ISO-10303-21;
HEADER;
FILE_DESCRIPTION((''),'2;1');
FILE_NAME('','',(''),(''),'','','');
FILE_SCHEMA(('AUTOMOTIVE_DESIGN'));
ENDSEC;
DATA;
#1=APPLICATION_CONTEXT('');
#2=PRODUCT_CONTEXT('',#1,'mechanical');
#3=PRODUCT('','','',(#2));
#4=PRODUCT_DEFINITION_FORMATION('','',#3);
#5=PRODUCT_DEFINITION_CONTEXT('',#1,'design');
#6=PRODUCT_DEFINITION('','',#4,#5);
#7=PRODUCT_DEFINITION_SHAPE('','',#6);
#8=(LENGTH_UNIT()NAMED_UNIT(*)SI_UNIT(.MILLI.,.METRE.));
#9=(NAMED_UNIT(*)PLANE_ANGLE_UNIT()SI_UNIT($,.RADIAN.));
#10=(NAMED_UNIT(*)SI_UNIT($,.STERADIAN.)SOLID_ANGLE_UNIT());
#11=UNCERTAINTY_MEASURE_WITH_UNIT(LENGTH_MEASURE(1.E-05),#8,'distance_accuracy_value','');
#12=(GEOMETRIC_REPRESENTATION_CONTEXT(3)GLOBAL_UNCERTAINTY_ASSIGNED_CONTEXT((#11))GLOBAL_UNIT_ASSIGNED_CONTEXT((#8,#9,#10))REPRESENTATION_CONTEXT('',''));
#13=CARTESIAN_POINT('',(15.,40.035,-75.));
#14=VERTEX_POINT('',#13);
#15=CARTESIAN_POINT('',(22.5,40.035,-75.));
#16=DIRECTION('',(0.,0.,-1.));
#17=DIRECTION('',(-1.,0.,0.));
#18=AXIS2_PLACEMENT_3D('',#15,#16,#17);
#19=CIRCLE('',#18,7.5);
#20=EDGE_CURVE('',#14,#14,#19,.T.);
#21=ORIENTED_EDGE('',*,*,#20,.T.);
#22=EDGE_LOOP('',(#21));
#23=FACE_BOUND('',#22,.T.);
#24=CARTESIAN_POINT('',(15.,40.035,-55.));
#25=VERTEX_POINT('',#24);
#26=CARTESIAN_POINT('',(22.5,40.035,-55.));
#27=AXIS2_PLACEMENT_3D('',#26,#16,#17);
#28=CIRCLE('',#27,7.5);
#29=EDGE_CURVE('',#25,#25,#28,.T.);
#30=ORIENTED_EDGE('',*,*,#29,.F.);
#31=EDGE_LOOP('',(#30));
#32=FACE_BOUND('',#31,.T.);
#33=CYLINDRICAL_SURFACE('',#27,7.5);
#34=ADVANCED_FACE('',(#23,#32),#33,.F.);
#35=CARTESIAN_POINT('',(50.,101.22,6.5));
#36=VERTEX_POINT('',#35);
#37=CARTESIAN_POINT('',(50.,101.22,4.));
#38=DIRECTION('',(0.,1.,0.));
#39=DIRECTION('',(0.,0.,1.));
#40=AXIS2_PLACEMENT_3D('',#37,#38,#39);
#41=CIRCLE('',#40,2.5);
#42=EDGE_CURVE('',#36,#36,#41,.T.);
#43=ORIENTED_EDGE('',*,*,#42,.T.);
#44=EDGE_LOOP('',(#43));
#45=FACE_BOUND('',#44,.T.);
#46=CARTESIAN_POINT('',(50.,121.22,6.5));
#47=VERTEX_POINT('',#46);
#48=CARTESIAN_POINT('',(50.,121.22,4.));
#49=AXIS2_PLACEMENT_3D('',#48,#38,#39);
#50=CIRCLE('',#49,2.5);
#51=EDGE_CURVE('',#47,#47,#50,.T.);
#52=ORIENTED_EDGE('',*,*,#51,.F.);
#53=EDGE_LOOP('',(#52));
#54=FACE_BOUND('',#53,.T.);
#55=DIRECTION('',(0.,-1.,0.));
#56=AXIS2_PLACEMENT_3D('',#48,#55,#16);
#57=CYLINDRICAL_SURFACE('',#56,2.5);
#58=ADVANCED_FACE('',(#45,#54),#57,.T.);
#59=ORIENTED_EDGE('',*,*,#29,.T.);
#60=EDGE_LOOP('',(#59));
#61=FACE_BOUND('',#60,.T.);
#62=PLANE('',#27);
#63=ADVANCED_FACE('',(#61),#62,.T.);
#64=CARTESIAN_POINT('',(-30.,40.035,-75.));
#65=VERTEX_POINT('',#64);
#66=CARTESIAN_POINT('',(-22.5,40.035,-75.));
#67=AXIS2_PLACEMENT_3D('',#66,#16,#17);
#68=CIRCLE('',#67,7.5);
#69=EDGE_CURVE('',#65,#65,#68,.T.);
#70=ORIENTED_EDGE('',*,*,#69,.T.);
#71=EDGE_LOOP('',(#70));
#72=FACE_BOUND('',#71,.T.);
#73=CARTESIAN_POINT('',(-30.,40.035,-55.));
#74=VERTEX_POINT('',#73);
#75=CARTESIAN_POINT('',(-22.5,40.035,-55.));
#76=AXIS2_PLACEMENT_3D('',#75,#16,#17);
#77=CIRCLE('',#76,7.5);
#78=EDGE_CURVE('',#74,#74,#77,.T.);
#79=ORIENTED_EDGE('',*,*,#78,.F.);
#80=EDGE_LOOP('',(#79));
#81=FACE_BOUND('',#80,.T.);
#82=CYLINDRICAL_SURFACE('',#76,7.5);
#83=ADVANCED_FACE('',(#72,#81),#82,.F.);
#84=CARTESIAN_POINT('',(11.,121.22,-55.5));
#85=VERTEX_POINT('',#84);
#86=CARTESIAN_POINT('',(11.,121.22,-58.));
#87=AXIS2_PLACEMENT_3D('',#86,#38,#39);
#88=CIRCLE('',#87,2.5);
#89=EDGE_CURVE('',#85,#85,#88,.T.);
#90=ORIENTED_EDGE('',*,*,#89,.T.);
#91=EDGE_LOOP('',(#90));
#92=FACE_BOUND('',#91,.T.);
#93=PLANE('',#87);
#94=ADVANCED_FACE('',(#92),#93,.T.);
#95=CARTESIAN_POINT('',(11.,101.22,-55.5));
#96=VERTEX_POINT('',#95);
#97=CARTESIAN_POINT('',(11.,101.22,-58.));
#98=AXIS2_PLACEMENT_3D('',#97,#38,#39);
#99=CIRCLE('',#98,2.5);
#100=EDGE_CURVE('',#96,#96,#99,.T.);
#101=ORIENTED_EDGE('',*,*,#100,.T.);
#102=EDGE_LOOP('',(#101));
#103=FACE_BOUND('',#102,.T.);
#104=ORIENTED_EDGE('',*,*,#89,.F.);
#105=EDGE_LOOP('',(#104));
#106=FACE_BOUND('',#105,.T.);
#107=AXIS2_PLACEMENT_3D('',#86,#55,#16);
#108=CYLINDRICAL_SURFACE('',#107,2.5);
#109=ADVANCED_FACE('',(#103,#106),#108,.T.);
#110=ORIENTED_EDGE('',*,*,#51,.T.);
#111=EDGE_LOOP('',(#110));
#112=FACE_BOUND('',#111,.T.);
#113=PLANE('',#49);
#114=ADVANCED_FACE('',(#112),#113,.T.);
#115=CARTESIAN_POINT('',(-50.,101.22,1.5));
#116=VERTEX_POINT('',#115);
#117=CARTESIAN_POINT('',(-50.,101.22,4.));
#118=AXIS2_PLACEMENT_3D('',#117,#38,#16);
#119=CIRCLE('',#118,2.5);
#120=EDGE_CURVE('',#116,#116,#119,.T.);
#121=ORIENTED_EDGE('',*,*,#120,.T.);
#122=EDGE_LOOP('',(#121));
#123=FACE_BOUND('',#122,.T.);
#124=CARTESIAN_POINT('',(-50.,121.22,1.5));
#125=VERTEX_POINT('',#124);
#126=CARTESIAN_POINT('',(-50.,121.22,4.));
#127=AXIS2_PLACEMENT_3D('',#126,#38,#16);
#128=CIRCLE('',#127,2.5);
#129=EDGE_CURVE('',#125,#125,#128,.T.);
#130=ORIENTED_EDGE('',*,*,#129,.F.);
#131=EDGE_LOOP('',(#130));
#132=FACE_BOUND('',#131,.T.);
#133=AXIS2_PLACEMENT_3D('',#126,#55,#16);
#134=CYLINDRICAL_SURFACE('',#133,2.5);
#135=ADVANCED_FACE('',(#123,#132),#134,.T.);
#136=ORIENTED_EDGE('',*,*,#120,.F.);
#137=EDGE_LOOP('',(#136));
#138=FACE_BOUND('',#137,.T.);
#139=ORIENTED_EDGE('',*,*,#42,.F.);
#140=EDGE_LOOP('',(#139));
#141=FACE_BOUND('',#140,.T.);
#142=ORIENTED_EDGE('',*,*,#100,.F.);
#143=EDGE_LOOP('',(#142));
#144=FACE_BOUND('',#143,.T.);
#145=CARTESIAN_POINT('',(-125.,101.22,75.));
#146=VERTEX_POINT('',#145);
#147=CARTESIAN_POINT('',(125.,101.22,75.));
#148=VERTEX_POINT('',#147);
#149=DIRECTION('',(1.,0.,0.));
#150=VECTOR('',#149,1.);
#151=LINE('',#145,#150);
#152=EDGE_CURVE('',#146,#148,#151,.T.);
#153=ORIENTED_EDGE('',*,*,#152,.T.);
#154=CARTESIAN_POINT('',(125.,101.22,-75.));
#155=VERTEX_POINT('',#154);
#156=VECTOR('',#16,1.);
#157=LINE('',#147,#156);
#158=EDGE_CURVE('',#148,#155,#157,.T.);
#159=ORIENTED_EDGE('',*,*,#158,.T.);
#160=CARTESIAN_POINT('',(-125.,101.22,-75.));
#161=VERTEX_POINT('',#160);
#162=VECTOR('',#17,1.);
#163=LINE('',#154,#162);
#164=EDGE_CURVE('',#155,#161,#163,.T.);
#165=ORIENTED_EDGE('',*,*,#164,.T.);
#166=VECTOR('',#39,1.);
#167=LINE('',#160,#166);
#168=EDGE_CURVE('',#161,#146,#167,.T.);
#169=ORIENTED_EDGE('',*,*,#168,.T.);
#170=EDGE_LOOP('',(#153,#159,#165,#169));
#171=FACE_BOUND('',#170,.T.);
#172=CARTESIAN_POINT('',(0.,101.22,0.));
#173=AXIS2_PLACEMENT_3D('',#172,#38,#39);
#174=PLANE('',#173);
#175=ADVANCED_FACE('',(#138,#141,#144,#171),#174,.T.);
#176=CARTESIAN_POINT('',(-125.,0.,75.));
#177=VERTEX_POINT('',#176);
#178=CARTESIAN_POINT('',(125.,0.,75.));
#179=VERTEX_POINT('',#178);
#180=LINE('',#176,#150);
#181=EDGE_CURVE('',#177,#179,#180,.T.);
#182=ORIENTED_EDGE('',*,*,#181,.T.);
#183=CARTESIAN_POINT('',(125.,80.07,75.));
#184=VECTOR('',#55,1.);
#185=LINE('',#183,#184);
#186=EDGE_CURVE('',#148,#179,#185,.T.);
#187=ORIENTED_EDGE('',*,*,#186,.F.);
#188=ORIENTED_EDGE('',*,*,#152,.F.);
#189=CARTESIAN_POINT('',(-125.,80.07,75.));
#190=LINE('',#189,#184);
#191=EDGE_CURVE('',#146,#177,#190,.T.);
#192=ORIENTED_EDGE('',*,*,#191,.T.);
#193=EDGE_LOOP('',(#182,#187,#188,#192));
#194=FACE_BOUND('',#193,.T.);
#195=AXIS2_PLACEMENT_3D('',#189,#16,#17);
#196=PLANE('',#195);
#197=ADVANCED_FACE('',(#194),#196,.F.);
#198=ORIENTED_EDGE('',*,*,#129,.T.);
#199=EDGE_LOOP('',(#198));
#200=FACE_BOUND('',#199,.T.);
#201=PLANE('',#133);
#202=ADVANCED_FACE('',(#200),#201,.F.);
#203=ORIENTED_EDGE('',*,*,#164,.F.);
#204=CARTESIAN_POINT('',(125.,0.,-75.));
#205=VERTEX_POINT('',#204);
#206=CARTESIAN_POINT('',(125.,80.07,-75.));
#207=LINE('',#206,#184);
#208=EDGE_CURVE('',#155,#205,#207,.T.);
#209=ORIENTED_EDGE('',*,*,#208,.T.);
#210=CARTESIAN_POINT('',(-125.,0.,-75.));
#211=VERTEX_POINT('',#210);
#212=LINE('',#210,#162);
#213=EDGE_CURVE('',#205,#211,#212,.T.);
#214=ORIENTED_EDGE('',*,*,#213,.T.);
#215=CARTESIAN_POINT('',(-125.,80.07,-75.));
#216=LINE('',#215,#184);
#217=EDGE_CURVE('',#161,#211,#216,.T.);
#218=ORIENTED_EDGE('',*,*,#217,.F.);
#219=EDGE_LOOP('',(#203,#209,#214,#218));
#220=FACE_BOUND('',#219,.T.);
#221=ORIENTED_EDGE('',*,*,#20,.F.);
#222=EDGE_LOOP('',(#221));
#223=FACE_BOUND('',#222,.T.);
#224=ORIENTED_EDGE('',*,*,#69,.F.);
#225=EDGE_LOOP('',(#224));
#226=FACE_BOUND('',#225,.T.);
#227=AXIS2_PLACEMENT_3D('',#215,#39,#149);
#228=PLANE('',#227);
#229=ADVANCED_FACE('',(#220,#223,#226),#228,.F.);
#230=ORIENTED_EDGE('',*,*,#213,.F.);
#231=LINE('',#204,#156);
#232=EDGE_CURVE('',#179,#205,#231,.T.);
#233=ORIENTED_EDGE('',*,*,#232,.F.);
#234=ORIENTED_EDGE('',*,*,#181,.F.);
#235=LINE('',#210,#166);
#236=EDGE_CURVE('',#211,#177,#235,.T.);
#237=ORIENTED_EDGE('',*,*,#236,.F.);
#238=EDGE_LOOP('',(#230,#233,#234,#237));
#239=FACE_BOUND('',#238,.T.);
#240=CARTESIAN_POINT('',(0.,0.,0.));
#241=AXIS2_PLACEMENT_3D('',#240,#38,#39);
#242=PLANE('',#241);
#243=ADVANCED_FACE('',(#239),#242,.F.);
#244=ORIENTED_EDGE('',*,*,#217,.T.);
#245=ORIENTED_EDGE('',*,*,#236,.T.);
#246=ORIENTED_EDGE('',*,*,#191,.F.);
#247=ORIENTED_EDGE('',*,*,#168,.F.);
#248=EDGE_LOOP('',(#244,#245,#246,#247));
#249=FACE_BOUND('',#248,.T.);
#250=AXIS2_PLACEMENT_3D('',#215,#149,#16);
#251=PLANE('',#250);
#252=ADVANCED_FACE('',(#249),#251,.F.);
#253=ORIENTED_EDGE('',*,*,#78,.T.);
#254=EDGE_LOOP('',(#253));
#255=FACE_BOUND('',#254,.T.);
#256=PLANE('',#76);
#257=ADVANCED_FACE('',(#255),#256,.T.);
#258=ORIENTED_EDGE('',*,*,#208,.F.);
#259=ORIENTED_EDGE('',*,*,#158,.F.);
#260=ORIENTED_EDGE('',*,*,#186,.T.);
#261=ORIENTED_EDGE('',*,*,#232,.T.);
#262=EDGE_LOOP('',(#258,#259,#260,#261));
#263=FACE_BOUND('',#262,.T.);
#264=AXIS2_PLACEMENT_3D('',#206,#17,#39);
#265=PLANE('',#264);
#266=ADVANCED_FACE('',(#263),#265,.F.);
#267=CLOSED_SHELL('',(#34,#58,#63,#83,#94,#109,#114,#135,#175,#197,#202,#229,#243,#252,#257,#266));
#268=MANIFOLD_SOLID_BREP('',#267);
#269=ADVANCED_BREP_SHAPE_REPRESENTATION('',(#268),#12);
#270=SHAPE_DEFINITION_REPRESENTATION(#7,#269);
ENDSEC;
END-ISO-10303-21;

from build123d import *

# Parameters (mm, degrees)
SKETCH_2_W          = 250
SKETCH_2_H          = 150
EXTRUDE_1_DEPTH     = 80.07
SKETCH_6_R          = 7.5
CUT_EXTRUDE_1_DEPTH = 20
SKETCH_7_W          = 250
SKETCH_7_H          = 150
EXTRUDE_2_DEPTH     = 21.15
SKETCH_13_R         = 2.5
EXTRUDE_4_DEPTH     = 20
SKETCH_15_R         = 2.5
EXTRUDE_5_DEPTH     = 20


with BuildPart() as part:
    # 草图2 → 凸台-拉伸1 (new body)
    with BuildSketch(Plane(origin=(0, 0, 0), x_dir=(1, 0, 0), z_dir=(0, 1, 0))):
        Rectangle(SKETCH_2_W, SKETCH_2_H)
    extrude(amount=EXTRUDE_1_DEPTH)

    # 草图6 → 切除-拉伸1 (cut)
    with BuildSketch(Plane(origin=(0, 0, -75), x_dir=(-1, 0, 0), z_dir=(0, 0, -1))):
        with Locations((-22.5, 40.035)):
            Circle(SKETCH_6_R)
        with Locations((22.5, 40.035)):
            Circle(SKETCH_6_R)
    extrude(amount=-CUT_EXTRUDE_1_DEPTH, mode=Mode.SUBTRACT)

    # 草图7 → 凸台-拉伸2 (add)
    with BuildSketch(Plane(origin=(0, 80.07, 0), x_dir=(1, 0, 0), z_dir=(0, 1, 0))):
        Rectangle(SKETCH_7_W, SKETCH_7_H)
    extrude(amount=EXTRUDE_2_DEPTH)

    # 草图13 → 凸台-拉伸4 (add)
    with BuildSketch(Plane(origin=(0, 101.22, 0), x_dir=(1, 0, 0), z_dir=(0, 1, 0))):
        with Locations(Location((11, 58, 0), (0, 0, 270))):
            Circle(SKETCH_13_R)
    extrude(amount=EXTRUDE_4_DEPTH)

    # 草图15 → 凸台-拉伸5 (add)
    with BuildSketch(Plane(origin=(0, 101.22, 0), x_dir=(1, 0, 0), z_dir=(0, 1, 0))):
        with Locations(Location((50, -4, 0), (0, 0, 270))):
            Circle(SKETCH_15_R)
        with Locations(Location((-50, -4, 0), (0, 0, 90))):
            Circle(SKETCH_15_R)
    extrude(amount=EXTRUDE_5_DEPTH)


solid = part.part
